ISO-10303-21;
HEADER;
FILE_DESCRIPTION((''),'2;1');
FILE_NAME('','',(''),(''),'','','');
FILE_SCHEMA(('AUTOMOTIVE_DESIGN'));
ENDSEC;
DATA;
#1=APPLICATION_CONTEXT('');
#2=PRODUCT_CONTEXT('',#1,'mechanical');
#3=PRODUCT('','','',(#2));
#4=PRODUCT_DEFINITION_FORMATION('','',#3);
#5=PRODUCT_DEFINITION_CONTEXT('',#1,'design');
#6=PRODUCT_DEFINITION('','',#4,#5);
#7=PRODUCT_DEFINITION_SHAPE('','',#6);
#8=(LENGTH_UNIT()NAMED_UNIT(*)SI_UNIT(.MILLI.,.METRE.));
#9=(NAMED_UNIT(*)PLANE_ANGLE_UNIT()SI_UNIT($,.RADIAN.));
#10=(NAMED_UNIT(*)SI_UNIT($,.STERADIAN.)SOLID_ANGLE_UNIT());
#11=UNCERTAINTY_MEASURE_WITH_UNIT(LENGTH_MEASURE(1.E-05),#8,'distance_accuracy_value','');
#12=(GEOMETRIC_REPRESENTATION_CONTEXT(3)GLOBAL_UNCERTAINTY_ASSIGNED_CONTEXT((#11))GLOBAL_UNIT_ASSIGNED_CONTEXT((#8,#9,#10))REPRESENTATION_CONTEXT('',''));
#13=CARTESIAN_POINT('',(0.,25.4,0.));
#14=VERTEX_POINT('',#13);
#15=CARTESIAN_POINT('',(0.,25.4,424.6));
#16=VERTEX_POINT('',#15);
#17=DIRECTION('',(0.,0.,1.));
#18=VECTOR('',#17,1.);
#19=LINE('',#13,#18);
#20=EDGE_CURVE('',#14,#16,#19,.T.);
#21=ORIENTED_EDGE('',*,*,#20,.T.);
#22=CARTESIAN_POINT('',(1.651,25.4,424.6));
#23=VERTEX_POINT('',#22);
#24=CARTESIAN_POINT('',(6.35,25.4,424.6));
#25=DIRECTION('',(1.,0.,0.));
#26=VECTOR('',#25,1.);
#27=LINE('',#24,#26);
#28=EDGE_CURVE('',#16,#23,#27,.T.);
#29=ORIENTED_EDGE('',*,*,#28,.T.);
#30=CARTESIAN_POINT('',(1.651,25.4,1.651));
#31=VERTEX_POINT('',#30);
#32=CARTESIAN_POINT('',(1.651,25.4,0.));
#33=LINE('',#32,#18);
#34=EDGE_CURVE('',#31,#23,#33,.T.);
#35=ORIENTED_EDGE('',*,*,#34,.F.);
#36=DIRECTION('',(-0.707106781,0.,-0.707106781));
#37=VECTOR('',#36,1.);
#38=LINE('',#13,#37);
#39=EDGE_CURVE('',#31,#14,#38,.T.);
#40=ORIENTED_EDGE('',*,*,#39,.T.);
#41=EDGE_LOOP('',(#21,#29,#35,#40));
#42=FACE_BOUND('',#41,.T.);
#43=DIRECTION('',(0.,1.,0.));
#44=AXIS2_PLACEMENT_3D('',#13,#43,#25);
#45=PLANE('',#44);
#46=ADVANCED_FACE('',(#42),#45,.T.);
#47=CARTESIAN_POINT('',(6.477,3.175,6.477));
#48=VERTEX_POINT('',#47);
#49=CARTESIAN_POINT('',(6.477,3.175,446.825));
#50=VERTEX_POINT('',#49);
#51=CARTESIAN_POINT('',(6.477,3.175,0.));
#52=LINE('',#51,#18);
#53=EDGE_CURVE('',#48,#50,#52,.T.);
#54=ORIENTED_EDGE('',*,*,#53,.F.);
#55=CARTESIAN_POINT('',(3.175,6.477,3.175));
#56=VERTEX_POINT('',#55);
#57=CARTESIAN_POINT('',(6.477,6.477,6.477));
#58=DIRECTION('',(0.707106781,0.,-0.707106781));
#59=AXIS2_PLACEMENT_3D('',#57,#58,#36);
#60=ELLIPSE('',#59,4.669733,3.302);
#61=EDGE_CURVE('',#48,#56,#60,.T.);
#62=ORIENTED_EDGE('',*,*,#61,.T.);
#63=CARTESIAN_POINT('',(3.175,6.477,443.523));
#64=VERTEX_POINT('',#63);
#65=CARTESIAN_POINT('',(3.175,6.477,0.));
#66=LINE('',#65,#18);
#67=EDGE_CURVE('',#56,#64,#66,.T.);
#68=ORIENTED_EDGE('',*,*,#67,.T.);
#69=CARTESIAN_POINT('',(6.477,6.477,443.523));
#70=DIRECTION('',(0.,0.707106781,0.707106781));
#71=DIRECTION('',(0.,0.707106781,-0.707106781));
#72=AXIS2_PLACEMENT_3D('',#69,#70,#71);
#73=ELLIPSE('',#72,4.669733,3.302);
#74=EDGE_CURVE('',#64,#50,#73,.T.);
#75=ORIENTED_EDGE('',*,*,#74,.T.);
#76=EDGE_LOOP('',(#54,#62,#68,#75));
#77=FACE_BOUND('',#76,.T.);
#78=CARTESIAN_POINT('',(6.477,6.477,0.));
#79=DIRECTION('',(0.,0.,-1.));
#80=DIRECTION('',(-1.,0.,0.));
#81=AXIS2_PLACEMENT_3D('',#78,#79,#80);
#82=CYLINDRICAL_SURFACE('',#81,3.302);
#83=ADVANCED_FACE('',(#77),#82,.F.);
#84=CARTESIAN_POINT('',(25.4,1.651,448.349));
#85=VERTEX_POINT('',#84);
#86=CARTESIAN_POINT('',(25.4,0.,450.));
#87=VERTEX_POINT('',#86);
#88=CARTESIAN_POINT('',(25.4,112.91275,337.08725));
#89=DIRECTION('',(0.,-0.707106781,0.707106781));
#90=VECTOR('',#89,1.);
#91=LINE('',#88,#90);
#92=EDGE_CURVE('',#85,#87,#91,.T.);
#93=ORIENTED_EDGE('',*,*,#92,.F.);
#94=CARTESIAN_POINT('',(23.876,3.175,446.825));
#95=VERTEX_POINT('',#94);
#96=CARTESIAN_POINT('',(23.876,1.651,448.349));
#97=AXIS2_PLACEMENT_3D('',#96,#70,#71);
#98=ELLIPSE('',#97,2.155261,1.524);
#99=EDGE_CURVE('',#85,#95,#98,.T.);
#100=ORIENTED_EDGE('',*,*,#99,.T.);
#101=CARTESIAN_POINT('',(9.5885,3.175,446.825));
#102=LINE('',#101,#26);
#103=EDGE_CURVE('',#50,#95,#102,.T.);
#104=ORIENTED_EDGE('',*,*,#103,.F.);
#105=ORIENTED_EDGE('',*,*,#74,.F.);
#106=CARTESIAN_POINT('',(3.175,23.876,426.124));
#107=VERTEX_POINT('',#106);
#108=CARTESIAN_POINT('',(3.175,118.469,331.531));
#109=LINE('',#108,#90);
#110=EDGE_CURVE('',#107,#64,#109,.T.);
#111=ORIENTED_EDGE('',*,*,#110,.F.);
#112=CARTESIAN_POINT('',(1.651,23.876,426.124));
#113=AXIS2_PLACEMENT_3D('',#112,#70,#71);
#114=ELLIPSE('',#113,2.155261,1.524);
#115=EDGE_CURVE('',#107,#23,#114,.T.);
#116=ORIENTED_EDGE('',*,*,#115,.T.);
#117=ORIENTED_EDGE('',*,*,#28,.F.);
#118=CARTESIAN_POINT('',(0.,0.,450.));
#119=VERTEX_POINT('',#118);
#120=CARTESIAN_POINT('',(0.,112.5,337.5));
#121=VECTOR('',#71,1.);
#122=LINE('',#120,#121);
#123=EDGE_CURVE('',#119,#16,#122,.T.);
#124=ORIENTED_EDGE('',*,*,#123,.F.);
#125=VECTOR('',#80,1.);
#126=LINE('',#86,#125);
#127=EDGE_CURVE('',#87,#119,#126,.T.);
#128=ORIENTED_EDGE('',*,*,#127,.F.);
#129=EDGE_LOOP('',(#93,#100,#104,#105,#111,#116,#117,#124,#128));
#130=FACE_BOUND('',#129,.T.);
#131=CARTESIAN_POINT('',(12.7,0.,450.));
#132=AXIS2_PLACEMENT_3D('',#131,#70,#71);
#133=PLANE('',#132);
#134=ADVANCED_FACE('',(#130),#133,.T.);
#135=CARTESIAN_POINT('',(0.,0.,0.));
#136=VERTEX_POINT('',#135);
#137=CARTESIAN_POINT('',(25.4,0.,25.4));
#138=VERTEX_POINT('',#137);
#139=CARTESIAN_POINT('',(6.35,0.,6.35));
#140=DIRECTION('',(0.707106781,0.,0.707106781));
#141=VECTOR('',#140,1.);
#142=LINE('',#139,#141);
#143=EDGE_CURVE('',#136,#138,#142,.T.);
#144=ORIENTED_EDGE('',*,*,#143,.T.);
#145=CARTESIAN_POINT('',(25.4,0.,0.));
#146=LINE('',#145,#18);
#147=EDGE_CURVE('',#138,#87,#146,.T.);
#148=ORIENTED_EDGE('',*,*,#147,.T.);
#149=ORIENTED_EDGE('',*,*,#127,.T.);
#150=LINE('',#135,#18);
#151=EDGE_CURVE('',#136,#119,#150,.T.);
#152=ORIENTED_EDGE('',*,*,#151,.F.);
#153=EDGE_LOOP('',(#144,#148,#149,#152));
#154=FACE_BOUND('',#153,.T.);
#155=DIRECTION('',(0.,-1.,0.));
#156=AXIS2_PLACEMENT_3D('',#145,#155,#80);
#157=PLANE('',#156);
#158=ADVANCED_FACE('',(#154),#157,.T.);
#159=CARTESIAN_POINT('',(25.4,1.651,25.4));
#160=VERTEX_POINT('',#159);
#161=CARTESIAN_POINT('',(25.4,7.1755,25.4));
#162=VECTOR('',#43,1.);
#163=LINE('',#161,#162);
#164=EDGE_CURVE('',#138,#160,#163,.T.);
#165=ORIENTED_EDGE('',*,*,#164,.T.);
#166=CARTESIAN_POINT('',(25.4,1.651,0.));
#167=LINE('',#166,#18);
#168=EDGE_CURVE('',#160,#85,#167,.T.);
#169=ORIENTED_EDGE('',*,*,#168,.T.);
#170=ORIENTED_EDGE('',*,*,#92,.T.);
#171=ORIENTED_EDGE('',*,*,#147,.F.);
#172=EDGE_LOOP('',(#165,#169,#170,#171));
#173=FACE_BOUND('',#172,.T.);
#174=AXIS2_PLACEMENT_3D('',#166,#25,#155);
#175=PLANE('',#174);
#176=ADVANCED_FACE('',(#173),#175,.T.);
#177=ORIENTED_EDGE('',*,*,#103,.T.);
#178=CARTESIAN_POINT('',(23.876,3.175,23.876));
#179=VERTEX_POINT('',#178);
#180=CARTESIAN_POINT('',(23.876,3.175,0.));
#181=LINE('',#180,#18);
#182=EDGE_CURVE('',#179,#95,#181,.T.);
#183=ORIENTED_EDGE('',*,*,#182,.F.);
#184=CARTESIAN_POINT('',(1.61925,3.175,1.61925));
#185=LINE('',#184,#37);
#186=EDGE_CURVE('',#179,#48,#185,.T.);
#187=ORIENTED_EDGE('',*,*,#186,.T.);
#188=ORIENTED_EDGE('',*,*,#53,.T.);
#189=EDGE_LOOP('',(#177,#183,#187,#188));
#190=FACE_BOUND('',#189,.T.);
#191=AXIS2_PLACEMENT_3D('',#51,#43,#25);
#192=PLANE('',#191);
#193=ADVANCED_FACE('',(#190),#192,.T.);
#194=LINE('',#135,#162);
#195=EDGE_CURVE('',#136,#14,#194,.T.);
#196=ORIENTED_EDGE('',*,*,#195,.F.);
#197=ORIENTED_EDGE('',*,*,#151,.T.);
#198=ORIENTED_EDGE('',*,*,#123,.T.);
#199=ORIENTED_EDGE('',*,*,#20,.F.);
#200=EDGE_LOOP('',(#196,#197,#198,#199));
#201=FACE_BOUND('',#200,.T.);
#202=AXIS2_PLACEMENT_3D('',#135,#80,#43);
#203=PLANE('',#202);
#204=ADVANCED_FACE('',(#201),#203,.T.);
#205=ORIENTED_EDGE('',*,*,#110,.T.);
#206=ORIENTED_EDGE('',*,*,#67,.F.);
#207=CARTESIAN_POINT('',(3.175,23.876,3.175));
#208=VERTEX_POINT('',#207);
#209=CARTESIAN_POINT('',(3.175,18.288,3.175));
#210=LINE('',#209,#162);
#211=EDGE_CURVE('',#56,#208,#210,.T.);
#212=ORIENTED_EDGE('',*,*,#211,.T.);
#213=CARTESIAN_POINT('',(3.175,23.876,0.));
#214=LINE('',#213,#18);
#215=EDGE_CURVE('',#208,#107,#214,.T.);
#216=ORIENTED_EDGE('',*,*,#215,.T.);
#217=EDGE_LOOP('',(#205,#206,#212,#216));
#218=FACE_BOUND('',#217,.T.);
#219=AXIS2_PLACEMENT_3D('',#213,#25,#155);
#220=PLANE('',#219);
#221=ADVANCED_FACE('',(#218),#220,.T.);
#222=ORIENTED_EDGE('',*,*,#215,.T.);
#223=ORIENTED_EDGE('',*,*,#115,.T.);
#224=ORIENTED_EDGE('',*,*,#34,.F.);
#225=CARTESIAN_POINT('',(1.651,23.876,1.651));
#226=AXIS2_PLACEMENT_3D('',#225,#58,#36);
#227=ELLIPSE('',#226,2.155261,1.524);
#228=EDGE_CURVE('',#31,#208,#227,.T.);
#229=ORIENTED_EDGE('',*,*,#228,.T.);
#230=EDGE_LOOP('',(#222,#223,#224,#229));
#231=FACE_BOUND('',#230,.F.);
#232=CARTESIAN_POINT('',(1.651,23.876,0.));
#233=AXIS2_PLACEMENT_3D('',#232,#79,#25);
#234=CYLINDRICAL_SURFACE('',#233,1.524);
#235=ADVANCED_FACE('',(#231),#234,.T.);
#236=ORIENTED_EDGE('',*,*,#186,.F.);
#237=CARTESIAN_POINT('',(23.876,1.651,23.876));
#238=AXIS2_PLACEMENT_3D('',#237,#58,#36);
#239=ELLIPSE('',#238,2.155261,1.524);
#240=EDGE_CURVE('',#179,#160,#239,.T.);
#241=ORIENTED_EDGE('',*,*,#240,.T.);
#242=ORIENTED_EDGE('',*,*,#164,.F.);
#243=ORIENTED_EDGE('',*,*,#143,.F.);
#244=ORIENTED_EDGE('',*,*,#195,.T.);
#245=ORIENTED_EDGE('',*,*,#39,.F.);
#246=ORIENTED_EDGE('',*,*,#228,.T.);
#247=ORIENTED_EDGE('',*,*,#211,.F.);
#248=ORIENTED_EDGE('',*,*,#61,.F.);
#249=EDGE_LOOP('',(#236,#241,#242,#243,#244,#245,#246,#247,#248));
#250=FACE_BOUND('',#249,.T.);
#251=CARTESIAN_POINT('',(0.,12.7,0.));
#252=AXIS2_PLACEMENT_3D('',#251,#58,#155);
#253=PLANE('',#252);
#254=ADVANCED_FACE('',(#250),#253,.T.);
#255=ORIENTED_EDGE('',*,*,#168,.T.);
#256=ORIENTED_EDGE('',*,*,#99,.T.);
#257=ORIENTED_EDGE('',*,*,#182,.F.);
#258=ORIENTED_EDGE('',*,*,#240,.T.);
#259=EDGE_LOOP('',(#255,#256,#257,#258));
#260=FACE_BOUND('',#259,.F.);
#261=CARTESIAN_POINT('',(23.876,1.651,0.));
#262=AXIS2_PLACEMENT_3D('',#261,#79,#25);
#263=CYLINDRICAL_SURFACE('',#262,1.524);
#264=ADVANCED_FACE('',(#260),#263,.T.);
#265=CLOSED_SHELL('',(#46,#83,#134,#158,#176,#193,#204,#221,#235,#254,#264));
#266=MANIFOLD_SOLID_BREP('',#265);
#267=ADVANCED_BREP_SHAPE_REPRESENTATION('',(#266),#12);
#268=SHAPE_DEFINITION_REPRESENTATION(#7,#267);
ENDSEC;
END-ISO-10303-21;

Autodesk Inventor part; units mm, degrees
ref_plane "Start Plane" through (0, 0, 0) normal (0, 0, 1) x (1, 0, 0)
ref_plane "End Plane" through (0, 0, 450) normal (0, 0, 1) x (1, 0, 0)
sketch "Sketch" plane through (0, 0, 0) normal (0, 0, 1) x (1, 0, 0)
  line L0 (25.4, 0) -> (0, 0)
  line L1 (0, 0) -> (0, 25.4)
  line L2 (0, 25.4) -> (1.651, 25.4)
  line L3 (3.175, 23.876) -> (3.175, 6.477)
  line L4 (6.477, 3.175) -> (23.876, 3.175)
  line L5 (25.4, 1.651) -> (25.4, 0)
  line L6 (0, -11.0414) -> (0, 31.5385) construction
  line L7 (-11.0414, 0) -> (31.5385, 0) construction
  arc A0 (3.175, 6.477) -> (6.477, 3.175) centre (6.477, 6.477) ccw
  arc A1 (3.175, 23.876) -> (1.651, 25.4) centre (1.651, 23.876) ccw
  arc A2 (25.4, 1.651) -> (23.876, 3.175) centre (23.876, 1.651) ccw
  line L8 (0, 40.0545) -> (0, -19.5574) construction
  line L9 (-19.5574, 0) -> (40.0545, 0) construction
  point P0 (3.175, 25.4)
  point P1 (3.175, 3.175)
  point P2 (25.4, 3.175)
  dimension "d0" = 25.4
  dimension "d1" = 25.4
  dimension "d2" = 3.175
  dimension "d3" = 3.175
  dimension "d10" = 0
  dimension "d11" = 0
  dimension "d14" = 3.302
  dimension "d15" = 1.524
extrude "Body" add sketch "Sketch" along normal up to surface (450 mm away) from surface at 0
sketch "Sketch3" plane through (0, 0, 0) normal (0, 0, 1) x (1, 0, 0)
  line L0 (0, 0) -> (10, 0)
ref_plane "Work Plane3" through (0, 0, 0) normal (0, -1, 0) x (1, 0, 0)
ref_plane "Work Plane5" through (12.7, 0, 450) normal (0, 0.7071, 0.7071) x (1, 0, 0)
split "Split2" plane through (12.7, 0, 450) removes the side toward (0, 0.7071, 0.7071)
ref_plane "Work Plane6" through (0, 12.7, 0) normal (0.7071, 0, -0.7071) x (-0.7071, 0, -0.7071)
split "Split3" plane through (0, 12.7, 0) removes the side toward (0.7071, 0, -0.7071)
sketch "Sketch4" plane through (0, 0, 0) normal (0, -1, 0) x (1, 0, 0)
  line L0 (-2, 0) -> (12, 0) projected
  line L1 (-2, 450) -> (12, 450) projected
  dimension "d17" = 450
equation "\"d0\" = G_H"
equation "\"d1\" = G_H"
equation "\"d2\" = G_T"
equation "\"d3\" = G_T"
equation "\"d14\" = G_IR"
equation "\"d15\" = G_ER"
equation "\"d4\" = G_L"
equation "\"G_H\" = 25.4"
equation "\"G_T\" = 3.175"
equation "\"G_ER\" = 1.524"
equation "\"G_IR\" = 3.302"
equation "\"G_L\" = d17"
equation "\"ex\" = 0"
equation "\"G_OFFSET_START\" = 0"
equation "\"G_OFFSET_END\" = 0"
equation "\"d13\" = G_OFFSET_END + B_L"
equation "\"B_L\" = 450"
properties part number "AISC - L 1 x 1 x 1/8 - 17.717" material "Steel, Mild"
